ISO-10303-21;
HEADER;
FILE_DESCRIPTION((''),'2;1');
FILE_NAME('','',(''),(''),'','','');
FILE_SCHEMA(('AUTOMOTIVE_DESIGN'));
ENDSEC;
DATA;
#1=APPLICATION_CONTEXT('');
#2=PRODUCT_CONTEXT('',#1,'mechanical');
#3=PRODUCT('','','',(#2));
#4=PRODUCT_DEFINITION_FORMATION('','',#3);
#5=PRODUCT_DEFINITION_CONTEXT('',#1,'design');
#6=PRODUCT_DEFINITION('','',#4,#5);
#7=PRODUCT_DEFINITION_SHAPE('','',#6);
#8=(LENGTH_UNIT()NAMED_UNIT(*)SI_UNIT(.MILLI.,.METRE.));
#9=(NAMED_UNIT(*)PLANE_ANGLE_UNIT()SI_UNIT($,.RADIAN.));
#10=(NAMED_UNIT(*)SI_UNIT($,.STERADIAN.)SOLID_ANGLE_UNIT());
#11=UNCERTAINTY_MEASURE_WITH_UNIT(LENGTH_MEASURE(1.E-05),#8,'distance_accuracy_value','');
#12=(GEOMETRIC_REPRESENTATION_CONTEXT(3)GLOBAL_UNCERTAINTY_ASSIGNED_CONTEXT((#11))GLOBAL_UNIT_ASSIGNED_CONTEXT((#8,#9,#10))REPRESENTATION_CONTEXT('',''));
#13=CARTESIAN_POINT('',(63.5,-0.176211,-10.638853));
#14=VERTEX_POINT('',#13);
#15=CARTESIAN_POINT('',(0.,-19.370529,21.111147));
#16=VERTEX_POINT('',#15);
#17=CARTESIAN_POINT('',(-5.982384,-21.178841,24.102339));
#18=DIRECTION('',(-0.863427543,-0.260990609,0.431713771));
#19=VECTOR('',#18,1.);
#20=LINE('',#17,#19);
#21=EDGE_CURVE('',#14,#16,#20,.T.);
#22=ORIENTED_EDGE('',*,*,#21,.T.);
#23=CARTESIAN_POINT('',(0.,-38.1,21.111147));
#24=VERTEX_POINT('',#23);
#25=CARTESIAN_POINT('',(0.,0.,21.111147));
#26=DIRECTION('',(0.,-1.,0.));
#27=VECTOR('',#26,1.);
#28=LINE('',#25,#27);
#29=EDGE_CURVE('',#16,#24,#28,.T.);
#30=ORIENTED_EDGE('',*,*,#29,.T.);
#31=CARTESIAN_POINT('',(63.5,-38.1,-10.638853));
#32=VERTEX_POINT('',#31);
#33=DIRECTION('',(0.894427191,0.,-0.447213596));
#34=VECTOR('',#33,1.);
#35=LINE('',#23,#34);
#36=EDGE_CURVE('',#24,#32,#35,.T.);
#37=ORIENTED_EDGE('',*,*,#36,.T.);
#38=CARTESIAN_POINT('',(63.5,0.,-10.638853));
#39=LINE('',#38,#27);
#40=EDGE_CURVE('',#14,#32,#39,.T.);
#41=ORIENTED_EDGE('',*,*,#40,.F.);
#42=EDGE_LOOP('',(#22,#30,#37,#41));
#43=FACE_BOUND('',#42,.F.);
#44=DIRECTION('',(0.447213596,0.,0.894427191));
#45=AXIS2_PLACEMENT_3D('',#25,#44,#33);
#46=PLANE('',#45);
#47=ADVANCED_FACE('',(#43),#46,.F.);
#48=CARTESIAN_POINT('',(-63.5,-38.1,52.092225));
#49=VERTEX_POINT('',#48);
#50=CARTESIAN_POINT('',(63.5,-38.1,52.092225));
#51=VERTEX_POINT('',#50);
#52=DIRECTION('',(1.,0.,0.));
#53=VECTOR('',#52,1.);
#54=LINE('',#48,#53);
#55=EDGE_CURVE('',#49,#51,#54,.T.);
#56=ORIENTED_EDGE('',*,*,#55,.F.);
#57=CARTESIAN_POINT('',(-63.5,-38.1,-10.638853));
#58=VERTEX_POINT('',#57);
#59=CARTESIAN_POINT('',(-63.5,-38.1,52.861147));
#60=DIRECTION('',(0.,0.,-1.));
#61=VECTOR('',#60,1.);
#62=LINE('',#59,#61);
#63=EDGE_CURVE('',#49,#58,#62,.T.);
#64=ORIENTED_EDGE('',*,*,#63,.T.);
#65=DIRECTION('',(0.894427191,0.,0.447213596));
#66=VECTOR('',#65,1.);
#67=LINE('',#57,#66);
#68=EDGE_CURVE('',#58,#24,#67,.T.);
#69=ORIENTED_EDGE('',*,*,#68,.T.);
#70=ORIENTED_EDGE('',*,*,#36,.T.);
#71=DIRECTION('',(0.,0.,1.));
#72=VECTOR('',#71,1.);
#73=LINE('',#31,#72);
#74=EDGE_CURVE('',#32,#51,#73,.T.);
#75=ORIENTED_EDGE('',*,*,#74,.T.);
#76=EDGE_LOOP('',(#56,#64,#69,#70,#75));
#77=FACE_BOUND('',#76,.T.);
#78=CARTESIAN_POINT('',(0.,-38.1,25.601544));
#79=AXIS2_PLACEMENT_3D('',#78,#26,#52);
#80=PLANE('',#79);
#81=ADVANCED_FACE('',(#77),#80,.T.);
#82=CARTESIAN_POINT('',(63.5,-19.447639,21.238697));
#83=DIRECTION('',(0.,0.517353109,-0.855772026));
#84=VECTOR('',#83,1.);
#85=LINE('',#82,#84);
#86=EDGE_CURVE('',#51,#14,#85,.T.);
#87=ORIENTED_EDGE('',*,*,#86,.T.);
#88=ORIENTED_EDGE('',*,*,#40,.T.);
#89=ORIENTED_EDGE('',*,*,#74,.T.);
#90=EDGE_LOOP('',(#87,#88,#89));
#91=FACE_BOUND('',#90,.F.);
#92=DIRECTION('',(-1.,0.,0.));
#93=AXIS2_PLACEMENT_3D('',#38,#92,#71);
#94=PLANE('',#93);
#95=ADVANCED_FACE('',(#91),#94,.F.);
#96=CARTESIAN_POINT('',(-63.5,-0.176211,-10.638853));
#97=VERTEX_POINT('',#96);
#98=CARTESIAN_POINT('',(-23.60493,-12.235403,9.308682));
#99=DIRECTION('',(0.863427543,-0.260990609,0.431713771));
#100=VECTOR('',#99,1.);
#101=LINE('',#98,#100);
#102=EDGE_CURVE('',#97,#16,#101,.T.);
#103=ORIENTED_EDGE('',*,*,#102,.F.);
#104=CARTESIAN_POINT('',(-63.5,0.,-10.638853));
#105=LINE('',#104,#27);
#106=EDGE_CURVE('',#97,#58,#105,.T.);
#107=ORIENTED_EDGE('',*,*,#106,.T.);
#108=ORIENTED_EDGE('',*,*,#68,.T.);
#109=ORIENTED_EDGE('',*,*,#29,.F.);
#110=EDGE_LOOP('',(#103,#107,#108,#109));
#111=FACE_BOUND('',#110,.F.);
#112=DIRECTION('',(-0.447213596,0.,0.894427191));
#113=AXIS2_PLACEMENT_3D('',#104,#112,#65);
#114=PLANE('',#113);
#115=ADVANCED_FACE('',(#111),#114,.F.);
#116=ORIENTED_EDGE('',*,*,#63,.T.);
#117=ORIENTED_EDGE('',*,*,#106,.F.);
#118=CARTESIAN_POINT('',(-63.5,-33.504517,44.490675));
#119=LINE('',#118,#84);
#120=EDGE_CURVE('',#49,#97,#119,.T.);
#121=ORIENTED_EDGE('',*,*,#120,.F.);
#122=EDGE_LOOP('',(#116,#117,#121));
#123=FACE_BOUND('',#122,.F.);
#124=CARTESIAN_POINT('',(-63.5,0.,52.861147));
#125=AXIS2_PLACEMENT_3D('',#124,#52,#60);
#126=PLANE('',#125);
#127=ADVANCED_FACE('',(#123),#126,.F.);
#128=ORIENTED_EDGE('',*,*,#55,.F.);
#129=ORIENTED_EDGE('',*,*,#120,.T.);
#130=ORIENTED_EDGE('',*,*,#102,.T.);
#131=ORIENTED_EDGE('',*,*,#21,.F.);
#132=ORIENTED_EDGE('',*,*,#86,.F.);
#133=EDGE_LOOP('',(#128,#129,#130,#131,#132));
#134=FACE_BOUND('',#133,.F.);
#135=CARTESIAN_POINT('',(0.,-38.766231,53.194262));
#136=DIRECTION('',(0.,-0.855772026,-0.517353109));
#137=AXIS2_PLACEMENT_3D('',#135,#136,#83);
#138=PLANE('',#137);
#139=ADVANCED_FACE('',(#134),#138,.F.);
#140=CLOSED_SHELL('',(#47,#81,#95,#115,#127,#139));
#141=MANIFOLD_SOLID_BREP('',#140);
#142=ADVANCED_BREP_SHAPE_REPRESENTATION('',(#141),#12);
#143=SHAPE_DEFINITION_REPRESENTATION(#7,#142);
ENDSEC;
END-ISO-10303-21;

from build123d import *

# Parameters (mm, degrees)
F1_DEPTH      = 38.1
F3_DEPTH      = 127
F3_DEPTH_BACK = 141.224


with BuildPart() as f1:
    # F0 (on Front) → F1 (new body)
    with BuildSketch(Plane.XZ):
        Polygon((0, 52.8611473963), (-63.5, 52.8611473963), (-63.5, -10.6388526037), (0, 21.1111473963), (63.5, -10.6388526037), (63.5, 52.8611473963), align=None)
    extrude(amount=F1_DEPTH)

    # F2 (on Right) → F3 (cut, two sides)
    with BuildSketch(Plane.YZ) as f3_sk:
        Polygon((0, -10.9303286299), (0, 53.1942620873), (-38.7662313879, 53.1942620873), align=None)
    extrude(amount=-F3_DEPTH, mode=Mode.SUBTRACT)
    extrude(f3_sk.sketch, amount=F3_DEPTH_BACK, mode=Mode.SUBTRACT)


solid = f1.part
